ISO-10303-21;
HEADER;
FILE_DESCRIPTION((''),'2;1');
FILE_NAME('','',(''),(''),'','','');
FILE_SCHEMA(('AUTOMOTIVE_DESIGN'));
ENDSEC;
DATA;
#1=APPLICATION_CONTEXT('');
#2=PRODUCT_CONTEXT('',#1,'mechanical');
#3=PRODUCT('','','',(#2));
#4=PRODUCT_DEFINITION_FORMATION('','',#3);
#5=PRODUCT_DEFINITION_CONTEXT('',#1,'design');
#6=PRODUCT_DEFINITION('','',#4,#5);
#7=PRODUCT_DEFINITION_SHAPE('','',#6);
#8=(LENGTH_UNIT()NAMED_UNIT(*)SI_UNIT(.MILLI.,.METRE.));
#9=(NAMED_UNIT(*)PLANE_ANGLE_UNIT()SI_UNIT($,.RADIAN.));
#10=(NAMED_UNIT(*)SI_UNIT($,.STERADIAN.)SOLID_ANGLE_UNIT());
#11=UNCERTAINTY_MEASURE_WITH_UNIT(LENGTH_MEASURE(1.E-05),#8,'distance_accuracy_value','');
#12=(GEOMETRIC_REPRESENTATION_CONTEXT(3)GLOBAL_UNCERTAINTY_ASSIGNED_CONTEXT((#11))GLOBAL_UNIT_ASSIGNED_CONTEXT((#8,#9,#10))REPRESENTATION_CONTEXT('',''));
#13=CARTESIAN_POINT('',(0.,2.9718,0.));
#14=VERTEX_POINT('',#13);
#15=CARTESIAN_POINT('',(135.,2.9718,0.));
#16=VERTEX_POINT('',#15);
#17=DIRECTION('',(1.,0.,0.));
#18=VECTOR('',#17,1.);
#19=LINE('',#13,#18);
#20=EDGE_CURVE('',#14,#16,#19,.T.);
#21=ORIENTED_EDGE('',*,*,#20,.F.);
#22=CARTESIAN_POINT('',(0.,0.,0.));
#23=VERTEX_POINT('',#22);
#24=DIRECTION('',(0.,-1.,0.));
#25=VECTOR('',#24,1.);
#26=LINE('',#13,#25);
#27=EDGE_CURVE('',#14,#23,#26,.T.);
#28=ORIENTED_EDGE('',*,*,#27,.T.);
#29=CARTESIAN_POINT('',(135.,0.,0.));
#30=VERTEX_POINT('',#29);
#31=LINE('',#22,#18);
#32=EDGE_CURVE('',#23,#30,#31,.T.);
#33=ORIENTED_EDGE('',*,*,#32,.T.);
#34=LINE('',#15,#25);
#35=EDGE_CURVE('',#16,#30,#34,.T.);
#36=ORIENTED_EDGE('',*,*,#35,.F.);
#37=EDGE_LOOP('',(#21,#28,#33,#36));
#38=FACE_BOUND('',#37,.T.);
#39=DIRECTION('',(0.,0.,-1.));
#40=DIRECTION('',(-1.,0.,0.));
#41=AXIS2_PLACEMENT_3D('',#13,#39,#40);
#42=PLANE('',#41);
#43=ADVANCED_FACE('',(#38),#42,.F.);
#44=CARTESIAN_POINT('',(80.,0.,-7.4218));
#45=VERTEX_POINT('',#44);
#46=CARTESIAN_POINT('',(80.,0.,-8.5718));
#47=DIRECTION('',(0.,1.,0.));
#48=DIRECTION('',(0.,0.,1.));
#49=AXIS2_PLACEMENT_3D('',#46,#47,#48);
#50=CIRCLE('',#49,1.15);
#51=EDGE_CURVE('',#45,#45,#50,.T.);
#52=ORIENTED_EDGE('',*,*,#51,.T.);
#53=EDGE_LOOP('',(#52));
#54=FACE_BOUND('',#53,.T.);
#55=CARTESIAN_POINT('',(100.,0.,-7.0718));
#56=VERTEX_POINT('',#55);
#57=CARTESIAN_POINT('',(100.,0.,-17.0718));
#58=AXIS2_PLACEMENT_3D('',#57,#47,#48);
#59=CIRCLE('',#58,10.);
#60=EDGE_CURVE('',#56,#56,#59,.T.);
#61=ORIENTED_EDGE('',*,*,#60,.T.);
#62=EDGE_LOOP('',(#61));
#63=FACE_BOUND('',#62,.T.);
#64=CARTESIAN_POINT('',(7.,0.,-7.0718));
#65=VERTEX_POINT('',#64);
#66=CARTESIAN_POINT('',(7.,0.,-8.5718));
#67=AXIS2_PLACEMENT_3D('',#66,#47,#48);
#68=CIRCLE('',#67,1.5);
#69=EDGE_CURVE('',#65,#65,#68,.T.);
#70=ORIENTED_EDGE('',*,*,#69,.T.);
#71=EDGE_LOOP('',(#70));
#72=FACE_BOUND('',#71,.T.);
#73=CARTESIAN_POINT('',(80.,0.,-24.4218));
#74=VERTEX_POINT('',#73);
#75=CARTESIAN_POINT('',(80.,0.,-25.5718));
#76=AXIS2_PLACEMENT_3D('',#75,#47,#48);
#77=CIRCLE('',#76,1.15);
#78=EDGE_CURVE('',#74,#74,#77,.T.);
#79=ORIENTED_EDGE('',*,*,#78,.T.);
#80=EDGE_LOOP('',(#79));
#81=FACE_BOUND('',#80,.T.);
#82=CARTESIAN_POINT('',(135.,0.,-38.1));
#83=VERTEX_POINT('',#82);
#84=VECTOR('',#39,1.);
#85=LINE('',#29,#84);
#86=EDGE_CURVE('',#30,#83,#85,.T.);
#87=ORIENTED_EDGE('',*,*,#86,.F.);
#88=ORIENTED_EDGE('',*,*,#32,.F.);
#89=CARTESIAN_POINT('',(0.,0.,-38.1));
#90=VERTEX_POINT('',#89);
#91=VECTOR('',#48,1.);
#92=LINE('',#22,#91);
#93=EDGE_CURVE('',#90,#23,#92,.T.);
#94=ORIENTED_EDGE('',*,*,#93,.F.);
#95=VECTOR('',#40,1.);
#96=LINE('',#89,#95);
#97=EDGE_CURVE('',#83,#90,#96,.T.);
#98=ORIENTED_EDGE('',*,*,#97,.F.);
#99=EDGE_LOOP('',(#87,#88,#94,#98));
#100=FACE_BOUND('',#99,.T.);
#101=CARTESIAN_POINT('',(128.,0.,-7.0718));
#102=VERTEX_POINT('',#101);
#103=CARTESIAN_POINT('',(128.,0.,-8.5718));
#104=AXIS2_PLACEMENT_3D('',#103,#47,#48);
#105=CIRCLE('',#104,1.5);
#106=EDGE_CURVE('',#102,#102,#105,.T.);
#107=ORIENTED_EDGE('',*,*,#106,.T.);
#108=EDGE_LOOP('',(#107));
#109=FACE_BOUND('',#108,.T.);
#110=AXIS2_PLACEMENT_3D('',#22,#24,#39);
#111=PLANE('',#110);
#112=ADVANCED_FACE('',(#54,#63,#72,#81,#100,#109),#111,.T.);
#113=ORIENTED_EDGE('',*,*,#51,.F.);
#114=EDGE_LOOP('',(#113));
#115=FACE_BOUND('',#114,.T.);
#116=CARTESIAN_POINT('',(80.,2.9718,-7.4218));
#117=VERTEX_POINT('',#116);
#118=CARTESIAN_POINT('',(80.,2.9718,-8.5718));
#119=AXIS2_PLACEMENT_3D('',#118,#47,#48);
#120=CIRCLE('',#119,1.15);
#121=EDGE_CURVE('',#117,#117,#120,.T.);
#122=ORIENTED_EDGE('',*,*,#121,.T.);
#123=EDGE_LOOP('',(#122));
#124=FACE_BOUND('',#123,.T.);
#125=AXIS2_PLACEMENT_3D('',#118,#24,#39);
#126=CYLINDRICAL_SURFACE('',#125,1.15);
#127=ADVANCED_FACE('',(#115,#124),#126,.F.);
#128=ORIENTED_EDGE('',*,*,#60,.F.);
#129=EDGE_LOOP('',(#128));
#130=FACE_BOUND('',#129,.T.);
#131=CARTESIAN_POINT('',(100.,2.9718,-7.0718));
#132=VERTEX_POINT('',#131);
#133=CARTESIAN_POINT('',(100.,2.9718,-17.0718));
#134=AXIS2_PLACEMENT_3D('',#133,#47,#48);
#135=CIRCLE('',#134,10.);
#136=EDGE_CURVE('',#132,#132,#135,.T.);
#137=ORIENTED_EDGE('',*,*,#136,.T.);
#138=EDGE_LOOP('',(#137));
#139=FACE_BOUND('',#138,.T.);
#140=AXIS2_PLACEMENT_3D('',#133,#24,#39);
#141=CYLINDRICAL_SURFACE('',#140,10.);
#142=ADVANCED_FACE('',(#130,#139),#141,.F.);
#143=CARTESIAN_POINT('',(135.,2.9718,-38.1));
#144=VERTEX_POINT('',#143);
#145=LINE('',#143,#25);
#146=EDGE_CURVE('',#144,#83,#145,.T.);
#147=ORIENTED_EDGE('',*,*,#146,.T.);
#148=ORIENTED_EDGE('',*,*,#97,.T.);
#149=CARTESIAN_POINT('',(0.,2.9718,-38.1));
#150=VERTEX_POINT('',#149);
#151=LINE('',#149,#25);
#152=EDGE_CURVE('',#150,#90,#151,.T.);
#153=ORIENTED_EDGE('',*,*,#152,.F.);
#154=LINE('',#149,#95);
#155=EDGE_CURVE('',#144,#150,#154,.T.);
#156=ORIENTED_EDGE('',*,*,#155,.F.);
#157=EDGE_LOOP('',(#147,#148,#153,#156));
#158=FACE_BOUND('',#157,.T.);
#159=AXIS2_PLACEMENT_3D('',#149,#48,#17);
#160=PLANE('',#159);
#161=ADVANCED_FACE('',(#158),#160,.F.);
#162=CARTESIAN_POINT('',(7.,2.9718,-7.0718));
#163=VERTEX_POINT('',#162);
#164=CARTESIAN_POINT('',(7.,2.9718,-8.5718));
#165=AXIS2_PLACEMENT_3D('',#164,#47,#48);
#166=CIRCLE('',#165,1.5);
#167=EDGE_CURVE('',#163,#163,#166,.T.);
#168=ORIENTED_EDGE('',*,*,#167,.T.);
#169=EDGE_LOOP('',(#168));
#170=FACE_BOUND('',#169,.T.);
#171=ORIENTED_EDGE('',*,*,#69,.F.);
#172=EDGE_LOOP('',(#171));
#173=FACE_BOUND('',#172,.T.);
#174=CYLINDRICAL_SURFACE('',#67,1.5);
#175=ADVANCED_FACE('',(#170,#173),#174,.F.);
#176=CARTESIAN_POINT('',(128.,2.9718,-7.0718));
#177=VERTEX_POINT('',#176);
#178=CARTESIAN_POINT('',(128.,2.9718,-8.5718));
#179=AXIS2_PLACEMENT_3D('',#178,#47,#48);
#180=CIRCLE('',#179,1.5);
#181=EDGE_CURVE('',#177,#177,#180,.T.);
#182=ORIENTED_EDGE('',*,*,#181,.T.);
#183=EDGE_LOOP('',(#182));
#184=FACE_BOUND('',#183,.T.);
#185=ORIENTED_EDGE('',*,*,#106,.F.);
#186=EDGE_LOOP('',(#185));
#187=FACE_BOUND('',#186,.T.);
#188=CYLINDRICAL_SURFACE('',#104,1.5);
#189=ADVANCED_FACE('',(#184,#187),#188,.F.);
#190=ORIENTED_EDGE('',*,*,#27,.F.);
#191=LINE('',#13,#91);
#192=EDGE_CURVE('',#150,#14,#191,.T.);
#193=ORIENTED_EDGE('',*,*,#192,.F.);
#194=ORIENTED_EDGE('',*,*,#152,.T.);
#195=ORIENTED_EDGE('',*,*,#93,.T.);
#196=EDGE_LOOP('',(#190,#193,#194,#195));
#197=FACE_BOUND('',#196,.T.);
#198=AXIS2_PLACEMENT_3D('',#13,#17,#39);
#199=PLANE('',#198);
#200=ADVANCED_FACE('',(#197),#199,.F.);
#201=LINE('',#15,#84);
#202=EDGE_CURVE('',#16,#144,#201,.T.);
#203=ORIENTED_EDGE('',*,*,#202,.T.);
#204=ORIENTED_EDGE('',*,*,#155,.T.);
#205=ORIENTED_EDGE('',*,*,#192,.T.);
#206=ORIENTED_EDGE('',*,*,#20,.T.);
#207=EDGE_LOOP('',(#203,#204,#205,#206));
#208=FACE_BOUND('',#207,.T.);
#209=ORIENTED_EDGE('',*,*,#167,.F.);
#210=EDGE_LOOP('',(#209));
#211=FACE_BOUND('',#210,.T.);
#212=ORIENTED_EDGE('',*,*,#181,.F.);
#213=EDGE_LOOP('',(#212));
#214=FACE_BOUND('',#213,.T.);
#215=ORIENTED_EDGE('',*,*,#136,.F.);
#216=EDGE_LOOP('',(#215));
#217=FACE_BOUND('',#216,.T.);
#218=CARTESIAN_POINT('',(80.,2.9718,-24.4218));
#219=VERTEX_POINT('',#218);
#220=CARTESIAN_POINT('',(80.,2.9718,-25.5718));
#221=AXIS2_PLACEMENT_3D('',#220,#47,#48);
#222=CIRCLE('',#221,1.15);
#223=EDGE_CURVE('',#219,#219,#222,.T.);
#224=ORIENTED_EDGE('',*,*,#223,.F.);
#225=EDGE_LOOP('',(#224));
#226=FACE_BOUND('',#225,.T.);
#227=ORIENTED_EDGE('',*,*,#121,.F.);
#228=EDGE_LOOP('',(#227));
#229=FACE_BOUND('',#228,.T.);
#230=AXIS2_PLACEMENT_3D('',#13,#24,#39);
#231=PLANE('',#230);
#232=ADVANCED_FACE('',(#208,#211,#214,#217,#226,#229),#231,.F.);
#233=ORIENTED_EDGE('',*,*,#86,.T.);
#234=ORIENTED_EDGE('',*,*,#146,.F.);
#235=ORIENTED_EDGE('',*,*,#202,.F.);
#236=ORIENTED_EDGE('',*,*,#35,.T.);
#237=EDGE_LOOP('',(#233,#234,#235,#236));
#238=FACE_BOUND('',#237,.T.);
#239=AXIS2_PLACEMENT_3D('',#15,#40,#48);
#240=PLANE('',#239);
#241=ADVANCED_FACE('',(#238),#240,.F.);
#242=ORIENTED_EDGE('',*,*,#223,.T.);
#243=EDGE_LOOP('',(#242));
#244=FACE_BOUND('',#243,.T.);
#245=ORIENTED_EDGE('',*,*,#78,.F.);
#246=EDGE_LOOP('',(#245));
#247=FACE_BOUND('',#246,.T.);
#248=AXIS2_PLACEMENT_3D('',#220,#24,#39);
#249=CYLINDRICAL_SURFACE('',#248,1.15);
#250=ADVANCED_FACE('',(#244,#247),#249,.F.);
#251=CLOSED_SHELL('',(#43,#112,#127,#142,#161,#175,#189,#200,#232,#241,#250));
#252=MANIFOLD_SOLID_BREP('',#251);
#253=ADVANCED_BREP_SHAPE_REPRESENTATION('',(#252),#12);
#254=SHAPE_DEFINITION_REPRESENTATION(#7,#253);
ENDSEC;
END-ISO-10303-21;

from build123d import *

# Parameters (mm, degrees)
SKETCH1_W           = 135
SKETCH1_H           = 38.1
SKETCH1_R           = 1.15
SKETCH1_R_2         = 10
BOSS_EXTRUDE1_DEPTH = 2.9718
SKETCH2_R           = 1.5
CUT_EXTRUDE1_DEPTH  = 141.304816721


with BuildPart() as part:
    # Sketch1 → Boss-Extrude1 (new body)
    with BuildSketch(Plane(origin=(0, 0, 0), x_dir=(1, 0, 0), z_dir=(0, 1, 0))):
        with Locations((67.5, 19.05)):
            Rectangle(SKETCH1_W, SKETCH1_H)
        with Locations(Location((80, 8.5718, 0), (0, 0, 270))):
            Circle(SKETCH1_R, mode=Mode.SUBTRACT)
        with Locations(Location((80, 25.5718, 0), (0, 0, 270))):
            Circle(SKETCH1_R, mode=Mode.SUBTRACT)
        with Locations(Location((100, 17.0718, 0), (0, 0, 270))):
            Circle(SKETCH1_R_2, mode=Mode.SUBTRACT)
    extrude(amount=BOSS_EXTRUDE1_DEPTH)

    # Sketch2 → Cut-Extrude1 (cut, through all)
    with BuildSketch(Plane(origin=(0, 2.9718, 0), x_dir=(1, 0, 0), z_dir=(0, 1, 0))):
        with Locations(Location((128, 8.5718, 0), (0, 0, 270))):
            Circle(SKETCH2_R)
        with Locations(Location((7, 8.5718, 0), (0, 0, 270))):
            Circle(SKETCH2_R)
    extrude(amount=-CUT_EXTRUDE1_DEPTH, mode=Mode.SUBTRACT)


solid = part.part
